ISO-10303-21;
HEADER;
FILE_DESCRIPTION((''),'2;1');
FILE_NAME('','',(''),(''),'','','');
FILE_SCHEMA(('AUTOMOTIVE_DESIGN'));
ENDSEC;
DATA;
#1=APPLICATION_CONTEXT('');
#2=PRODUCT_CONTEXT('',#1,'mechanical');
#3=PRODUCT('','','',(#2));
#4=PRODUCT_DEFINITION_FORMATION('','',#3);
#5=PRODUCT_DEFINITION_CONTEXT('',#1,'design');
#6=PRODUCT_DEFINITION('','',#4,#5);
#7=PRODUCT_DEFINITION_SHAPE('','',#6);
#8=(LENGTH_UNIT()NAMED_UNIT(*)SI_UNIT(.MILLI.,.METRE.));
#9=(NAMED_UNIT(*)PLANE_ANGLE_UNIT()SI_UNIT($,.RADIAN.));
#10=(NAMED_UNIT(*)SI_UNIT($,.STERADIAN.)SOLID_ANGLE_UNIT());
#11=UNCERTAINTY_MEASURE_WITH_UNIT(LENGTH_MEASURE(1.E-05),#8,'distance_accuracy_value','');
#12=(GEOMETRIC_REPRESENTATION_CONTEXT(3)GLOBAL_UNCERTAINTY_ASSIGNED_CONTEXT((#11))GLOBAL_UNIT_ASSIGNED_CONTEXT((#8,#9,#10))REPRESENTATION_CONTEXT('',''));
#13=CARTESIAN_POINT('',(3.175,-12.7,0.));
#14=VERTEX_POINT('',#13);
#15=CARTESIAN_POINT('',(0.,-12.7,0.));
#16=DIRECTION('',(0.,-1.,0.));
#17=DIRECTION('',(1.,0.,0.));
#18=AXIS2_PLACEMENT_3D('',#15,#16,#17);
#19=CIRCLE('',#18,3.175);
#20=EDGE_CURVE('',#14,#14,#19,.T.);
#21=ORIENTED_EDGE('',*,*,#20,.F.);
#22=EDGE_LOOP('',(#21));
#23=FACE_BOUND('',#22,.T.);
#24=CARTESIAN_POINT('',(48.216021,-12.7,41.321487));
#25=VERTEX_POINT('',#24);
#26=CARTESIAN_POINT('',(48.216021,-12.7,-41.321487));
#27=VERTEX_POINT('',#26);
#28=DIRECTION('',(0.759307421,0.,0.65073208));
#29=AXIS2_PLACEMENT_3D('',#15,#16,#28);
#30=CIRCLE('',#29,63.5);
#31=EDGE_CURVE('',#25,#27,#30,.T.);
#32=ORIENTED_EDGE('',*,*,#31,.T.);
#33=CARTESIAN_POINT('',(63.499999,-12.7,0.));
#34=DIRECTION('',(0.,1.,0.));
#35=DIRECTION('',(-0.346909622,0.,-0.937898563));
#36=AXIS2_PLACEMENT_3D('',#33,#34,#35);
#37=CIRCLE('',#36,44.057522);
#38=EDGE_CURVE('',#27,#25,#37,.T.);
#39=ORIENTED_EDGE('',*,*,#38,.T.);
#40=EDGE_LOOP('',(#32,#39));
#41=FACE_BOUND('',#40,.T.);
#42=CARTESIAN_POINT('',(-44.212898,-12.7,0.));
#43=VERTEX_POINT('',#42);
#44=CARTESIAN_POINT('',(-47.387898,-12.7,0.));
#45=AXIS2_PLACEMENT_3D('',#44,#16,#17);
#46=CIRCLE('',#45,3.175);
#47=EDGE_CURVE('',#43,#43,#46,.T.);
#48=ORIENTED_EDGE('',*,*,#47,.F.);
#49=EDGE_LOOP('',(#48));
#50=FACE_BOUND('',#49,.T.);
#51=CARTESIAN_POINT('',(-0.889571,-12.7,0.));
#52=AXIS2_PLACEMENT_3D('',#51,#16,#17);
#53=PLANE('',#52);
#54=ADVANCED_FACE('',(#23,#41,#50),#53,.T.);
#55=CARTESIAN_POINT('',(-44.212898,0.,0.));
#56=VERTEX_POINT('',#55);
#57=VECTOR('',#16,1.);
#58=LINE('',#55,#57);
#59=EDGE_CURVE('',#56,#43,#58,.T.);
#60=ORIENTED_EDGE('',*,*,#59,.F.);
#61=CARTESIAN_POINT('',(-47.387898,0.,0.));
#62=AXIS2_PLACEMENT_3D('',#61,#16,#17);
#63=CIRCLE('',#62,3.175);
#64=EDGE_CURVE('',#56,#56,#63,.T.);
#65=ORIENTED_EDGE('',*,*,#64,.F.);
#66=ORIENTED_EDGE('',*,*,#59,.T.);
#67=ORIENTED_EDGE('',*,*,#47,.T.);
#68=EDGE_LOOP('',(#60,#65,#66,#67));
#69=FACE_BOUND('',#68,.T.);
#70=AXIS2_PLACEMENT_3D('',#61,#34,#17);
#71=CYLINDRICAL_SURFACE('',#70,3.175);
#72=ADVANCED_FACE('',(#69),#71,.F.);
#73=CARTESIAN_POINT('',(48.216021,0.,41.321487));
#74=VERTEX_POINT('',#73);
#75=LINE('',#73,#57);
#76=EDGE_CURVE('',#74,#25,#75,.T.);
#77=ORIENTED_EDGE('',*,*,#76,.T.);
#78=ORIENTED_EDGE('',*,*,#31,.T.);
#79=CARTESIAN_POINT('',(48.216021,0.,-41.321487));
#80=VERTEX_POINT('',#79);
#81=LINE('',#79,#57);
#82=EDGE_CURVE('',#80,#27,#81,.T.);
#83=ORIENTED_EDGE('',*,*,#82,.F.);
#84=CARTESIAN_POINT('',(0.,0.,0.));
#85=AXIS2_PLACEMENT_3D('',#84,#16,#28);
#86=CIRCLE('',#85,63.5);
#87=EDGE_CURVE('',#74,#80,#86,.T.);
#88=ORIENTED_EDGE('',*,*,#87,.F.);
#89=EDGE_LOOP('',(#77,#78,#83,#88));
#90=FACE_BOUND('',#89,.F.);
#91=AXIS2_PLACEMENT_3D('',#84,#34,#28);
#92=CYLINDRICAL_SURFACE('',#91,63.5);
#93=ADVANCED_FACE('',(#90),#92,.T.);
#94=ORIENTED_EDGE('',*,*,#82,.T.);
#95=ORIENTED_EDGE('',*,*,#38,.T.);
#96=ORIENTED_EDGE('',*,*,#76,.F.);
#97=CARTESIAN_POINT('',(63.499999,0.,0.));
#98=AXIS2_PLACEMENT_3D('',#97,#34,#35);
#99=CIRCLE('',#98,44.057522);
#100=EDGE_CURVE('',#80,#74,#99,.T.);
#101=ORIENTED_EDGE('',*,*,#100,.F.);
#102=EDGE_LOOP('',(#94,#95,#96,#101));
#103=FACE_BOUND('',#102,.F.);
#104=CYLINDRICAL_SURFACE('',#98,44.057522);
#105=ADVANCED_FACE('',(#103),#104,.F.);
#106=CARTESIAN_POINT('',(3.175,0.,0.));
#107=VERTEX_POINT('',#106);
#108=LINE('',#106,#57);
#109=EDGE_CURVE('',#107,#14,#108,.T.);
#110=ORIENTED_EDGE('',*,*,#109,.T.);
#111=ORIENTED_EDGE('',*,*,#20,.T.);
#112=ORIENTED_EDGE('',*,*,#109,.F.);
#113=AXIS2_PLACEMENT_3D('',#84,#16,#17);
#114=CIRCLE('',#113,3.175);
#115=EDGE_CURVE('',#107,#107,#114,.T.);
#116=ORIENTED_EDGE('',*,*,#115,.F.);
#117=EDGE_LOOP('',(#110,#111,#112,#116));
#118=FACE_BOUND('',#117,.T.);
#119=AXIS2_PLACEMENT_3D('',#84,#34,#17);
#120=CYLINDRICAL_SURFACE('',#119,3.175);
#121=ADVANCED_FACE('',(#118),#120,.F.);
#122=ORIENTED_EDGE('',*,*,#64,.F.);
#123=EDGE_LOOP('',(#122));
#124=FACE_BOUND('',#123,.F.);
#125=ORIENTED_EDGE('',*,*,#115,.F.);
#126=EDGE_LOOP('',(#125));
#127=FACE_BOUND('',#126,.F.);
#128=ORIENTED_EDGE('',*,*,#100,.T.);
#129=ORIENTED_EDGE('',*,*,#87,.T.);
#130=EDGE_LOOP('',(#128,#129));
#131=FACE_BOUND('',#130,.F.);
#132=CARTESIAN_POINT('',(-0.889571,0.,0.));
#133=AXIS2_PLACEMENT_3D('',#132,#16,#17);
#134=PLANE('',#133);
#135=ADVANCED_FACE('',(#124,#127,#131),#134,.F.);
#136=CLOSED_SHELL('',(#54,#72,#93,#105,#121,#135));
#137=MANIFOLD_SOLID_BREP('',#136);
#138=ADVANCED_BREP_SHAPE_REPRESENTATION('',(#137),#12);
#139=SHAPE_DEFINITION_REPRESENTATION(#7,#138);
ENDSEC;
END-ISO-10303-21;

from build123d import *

# Parameters (mm, degrees)
F0_R     = 3.175
F1_DEPTH = 12.7


with BuildPart() as f1:
    # F0 (on Front) → F1 (new body)
    with BuildSketch(Plane.XZ):
        with BuildLine():
            ThreePointArc((48.216021, -41.321487), (19.442477, 0), (48.216021, 41.321487))
            ThreePointArc((48.216021, 41.321487), (-63.5, 0), (48.216021, -41.321487))
        make_face()
        with Locations((-47.387898, 0)):
            Circle(F0_R, mode=Mode.SUBTRACT)
        Circle(F0_R, mode=Mode.SUBTRACT)
    extrude(amount=F1_DEPTH)


solid = f1.part
